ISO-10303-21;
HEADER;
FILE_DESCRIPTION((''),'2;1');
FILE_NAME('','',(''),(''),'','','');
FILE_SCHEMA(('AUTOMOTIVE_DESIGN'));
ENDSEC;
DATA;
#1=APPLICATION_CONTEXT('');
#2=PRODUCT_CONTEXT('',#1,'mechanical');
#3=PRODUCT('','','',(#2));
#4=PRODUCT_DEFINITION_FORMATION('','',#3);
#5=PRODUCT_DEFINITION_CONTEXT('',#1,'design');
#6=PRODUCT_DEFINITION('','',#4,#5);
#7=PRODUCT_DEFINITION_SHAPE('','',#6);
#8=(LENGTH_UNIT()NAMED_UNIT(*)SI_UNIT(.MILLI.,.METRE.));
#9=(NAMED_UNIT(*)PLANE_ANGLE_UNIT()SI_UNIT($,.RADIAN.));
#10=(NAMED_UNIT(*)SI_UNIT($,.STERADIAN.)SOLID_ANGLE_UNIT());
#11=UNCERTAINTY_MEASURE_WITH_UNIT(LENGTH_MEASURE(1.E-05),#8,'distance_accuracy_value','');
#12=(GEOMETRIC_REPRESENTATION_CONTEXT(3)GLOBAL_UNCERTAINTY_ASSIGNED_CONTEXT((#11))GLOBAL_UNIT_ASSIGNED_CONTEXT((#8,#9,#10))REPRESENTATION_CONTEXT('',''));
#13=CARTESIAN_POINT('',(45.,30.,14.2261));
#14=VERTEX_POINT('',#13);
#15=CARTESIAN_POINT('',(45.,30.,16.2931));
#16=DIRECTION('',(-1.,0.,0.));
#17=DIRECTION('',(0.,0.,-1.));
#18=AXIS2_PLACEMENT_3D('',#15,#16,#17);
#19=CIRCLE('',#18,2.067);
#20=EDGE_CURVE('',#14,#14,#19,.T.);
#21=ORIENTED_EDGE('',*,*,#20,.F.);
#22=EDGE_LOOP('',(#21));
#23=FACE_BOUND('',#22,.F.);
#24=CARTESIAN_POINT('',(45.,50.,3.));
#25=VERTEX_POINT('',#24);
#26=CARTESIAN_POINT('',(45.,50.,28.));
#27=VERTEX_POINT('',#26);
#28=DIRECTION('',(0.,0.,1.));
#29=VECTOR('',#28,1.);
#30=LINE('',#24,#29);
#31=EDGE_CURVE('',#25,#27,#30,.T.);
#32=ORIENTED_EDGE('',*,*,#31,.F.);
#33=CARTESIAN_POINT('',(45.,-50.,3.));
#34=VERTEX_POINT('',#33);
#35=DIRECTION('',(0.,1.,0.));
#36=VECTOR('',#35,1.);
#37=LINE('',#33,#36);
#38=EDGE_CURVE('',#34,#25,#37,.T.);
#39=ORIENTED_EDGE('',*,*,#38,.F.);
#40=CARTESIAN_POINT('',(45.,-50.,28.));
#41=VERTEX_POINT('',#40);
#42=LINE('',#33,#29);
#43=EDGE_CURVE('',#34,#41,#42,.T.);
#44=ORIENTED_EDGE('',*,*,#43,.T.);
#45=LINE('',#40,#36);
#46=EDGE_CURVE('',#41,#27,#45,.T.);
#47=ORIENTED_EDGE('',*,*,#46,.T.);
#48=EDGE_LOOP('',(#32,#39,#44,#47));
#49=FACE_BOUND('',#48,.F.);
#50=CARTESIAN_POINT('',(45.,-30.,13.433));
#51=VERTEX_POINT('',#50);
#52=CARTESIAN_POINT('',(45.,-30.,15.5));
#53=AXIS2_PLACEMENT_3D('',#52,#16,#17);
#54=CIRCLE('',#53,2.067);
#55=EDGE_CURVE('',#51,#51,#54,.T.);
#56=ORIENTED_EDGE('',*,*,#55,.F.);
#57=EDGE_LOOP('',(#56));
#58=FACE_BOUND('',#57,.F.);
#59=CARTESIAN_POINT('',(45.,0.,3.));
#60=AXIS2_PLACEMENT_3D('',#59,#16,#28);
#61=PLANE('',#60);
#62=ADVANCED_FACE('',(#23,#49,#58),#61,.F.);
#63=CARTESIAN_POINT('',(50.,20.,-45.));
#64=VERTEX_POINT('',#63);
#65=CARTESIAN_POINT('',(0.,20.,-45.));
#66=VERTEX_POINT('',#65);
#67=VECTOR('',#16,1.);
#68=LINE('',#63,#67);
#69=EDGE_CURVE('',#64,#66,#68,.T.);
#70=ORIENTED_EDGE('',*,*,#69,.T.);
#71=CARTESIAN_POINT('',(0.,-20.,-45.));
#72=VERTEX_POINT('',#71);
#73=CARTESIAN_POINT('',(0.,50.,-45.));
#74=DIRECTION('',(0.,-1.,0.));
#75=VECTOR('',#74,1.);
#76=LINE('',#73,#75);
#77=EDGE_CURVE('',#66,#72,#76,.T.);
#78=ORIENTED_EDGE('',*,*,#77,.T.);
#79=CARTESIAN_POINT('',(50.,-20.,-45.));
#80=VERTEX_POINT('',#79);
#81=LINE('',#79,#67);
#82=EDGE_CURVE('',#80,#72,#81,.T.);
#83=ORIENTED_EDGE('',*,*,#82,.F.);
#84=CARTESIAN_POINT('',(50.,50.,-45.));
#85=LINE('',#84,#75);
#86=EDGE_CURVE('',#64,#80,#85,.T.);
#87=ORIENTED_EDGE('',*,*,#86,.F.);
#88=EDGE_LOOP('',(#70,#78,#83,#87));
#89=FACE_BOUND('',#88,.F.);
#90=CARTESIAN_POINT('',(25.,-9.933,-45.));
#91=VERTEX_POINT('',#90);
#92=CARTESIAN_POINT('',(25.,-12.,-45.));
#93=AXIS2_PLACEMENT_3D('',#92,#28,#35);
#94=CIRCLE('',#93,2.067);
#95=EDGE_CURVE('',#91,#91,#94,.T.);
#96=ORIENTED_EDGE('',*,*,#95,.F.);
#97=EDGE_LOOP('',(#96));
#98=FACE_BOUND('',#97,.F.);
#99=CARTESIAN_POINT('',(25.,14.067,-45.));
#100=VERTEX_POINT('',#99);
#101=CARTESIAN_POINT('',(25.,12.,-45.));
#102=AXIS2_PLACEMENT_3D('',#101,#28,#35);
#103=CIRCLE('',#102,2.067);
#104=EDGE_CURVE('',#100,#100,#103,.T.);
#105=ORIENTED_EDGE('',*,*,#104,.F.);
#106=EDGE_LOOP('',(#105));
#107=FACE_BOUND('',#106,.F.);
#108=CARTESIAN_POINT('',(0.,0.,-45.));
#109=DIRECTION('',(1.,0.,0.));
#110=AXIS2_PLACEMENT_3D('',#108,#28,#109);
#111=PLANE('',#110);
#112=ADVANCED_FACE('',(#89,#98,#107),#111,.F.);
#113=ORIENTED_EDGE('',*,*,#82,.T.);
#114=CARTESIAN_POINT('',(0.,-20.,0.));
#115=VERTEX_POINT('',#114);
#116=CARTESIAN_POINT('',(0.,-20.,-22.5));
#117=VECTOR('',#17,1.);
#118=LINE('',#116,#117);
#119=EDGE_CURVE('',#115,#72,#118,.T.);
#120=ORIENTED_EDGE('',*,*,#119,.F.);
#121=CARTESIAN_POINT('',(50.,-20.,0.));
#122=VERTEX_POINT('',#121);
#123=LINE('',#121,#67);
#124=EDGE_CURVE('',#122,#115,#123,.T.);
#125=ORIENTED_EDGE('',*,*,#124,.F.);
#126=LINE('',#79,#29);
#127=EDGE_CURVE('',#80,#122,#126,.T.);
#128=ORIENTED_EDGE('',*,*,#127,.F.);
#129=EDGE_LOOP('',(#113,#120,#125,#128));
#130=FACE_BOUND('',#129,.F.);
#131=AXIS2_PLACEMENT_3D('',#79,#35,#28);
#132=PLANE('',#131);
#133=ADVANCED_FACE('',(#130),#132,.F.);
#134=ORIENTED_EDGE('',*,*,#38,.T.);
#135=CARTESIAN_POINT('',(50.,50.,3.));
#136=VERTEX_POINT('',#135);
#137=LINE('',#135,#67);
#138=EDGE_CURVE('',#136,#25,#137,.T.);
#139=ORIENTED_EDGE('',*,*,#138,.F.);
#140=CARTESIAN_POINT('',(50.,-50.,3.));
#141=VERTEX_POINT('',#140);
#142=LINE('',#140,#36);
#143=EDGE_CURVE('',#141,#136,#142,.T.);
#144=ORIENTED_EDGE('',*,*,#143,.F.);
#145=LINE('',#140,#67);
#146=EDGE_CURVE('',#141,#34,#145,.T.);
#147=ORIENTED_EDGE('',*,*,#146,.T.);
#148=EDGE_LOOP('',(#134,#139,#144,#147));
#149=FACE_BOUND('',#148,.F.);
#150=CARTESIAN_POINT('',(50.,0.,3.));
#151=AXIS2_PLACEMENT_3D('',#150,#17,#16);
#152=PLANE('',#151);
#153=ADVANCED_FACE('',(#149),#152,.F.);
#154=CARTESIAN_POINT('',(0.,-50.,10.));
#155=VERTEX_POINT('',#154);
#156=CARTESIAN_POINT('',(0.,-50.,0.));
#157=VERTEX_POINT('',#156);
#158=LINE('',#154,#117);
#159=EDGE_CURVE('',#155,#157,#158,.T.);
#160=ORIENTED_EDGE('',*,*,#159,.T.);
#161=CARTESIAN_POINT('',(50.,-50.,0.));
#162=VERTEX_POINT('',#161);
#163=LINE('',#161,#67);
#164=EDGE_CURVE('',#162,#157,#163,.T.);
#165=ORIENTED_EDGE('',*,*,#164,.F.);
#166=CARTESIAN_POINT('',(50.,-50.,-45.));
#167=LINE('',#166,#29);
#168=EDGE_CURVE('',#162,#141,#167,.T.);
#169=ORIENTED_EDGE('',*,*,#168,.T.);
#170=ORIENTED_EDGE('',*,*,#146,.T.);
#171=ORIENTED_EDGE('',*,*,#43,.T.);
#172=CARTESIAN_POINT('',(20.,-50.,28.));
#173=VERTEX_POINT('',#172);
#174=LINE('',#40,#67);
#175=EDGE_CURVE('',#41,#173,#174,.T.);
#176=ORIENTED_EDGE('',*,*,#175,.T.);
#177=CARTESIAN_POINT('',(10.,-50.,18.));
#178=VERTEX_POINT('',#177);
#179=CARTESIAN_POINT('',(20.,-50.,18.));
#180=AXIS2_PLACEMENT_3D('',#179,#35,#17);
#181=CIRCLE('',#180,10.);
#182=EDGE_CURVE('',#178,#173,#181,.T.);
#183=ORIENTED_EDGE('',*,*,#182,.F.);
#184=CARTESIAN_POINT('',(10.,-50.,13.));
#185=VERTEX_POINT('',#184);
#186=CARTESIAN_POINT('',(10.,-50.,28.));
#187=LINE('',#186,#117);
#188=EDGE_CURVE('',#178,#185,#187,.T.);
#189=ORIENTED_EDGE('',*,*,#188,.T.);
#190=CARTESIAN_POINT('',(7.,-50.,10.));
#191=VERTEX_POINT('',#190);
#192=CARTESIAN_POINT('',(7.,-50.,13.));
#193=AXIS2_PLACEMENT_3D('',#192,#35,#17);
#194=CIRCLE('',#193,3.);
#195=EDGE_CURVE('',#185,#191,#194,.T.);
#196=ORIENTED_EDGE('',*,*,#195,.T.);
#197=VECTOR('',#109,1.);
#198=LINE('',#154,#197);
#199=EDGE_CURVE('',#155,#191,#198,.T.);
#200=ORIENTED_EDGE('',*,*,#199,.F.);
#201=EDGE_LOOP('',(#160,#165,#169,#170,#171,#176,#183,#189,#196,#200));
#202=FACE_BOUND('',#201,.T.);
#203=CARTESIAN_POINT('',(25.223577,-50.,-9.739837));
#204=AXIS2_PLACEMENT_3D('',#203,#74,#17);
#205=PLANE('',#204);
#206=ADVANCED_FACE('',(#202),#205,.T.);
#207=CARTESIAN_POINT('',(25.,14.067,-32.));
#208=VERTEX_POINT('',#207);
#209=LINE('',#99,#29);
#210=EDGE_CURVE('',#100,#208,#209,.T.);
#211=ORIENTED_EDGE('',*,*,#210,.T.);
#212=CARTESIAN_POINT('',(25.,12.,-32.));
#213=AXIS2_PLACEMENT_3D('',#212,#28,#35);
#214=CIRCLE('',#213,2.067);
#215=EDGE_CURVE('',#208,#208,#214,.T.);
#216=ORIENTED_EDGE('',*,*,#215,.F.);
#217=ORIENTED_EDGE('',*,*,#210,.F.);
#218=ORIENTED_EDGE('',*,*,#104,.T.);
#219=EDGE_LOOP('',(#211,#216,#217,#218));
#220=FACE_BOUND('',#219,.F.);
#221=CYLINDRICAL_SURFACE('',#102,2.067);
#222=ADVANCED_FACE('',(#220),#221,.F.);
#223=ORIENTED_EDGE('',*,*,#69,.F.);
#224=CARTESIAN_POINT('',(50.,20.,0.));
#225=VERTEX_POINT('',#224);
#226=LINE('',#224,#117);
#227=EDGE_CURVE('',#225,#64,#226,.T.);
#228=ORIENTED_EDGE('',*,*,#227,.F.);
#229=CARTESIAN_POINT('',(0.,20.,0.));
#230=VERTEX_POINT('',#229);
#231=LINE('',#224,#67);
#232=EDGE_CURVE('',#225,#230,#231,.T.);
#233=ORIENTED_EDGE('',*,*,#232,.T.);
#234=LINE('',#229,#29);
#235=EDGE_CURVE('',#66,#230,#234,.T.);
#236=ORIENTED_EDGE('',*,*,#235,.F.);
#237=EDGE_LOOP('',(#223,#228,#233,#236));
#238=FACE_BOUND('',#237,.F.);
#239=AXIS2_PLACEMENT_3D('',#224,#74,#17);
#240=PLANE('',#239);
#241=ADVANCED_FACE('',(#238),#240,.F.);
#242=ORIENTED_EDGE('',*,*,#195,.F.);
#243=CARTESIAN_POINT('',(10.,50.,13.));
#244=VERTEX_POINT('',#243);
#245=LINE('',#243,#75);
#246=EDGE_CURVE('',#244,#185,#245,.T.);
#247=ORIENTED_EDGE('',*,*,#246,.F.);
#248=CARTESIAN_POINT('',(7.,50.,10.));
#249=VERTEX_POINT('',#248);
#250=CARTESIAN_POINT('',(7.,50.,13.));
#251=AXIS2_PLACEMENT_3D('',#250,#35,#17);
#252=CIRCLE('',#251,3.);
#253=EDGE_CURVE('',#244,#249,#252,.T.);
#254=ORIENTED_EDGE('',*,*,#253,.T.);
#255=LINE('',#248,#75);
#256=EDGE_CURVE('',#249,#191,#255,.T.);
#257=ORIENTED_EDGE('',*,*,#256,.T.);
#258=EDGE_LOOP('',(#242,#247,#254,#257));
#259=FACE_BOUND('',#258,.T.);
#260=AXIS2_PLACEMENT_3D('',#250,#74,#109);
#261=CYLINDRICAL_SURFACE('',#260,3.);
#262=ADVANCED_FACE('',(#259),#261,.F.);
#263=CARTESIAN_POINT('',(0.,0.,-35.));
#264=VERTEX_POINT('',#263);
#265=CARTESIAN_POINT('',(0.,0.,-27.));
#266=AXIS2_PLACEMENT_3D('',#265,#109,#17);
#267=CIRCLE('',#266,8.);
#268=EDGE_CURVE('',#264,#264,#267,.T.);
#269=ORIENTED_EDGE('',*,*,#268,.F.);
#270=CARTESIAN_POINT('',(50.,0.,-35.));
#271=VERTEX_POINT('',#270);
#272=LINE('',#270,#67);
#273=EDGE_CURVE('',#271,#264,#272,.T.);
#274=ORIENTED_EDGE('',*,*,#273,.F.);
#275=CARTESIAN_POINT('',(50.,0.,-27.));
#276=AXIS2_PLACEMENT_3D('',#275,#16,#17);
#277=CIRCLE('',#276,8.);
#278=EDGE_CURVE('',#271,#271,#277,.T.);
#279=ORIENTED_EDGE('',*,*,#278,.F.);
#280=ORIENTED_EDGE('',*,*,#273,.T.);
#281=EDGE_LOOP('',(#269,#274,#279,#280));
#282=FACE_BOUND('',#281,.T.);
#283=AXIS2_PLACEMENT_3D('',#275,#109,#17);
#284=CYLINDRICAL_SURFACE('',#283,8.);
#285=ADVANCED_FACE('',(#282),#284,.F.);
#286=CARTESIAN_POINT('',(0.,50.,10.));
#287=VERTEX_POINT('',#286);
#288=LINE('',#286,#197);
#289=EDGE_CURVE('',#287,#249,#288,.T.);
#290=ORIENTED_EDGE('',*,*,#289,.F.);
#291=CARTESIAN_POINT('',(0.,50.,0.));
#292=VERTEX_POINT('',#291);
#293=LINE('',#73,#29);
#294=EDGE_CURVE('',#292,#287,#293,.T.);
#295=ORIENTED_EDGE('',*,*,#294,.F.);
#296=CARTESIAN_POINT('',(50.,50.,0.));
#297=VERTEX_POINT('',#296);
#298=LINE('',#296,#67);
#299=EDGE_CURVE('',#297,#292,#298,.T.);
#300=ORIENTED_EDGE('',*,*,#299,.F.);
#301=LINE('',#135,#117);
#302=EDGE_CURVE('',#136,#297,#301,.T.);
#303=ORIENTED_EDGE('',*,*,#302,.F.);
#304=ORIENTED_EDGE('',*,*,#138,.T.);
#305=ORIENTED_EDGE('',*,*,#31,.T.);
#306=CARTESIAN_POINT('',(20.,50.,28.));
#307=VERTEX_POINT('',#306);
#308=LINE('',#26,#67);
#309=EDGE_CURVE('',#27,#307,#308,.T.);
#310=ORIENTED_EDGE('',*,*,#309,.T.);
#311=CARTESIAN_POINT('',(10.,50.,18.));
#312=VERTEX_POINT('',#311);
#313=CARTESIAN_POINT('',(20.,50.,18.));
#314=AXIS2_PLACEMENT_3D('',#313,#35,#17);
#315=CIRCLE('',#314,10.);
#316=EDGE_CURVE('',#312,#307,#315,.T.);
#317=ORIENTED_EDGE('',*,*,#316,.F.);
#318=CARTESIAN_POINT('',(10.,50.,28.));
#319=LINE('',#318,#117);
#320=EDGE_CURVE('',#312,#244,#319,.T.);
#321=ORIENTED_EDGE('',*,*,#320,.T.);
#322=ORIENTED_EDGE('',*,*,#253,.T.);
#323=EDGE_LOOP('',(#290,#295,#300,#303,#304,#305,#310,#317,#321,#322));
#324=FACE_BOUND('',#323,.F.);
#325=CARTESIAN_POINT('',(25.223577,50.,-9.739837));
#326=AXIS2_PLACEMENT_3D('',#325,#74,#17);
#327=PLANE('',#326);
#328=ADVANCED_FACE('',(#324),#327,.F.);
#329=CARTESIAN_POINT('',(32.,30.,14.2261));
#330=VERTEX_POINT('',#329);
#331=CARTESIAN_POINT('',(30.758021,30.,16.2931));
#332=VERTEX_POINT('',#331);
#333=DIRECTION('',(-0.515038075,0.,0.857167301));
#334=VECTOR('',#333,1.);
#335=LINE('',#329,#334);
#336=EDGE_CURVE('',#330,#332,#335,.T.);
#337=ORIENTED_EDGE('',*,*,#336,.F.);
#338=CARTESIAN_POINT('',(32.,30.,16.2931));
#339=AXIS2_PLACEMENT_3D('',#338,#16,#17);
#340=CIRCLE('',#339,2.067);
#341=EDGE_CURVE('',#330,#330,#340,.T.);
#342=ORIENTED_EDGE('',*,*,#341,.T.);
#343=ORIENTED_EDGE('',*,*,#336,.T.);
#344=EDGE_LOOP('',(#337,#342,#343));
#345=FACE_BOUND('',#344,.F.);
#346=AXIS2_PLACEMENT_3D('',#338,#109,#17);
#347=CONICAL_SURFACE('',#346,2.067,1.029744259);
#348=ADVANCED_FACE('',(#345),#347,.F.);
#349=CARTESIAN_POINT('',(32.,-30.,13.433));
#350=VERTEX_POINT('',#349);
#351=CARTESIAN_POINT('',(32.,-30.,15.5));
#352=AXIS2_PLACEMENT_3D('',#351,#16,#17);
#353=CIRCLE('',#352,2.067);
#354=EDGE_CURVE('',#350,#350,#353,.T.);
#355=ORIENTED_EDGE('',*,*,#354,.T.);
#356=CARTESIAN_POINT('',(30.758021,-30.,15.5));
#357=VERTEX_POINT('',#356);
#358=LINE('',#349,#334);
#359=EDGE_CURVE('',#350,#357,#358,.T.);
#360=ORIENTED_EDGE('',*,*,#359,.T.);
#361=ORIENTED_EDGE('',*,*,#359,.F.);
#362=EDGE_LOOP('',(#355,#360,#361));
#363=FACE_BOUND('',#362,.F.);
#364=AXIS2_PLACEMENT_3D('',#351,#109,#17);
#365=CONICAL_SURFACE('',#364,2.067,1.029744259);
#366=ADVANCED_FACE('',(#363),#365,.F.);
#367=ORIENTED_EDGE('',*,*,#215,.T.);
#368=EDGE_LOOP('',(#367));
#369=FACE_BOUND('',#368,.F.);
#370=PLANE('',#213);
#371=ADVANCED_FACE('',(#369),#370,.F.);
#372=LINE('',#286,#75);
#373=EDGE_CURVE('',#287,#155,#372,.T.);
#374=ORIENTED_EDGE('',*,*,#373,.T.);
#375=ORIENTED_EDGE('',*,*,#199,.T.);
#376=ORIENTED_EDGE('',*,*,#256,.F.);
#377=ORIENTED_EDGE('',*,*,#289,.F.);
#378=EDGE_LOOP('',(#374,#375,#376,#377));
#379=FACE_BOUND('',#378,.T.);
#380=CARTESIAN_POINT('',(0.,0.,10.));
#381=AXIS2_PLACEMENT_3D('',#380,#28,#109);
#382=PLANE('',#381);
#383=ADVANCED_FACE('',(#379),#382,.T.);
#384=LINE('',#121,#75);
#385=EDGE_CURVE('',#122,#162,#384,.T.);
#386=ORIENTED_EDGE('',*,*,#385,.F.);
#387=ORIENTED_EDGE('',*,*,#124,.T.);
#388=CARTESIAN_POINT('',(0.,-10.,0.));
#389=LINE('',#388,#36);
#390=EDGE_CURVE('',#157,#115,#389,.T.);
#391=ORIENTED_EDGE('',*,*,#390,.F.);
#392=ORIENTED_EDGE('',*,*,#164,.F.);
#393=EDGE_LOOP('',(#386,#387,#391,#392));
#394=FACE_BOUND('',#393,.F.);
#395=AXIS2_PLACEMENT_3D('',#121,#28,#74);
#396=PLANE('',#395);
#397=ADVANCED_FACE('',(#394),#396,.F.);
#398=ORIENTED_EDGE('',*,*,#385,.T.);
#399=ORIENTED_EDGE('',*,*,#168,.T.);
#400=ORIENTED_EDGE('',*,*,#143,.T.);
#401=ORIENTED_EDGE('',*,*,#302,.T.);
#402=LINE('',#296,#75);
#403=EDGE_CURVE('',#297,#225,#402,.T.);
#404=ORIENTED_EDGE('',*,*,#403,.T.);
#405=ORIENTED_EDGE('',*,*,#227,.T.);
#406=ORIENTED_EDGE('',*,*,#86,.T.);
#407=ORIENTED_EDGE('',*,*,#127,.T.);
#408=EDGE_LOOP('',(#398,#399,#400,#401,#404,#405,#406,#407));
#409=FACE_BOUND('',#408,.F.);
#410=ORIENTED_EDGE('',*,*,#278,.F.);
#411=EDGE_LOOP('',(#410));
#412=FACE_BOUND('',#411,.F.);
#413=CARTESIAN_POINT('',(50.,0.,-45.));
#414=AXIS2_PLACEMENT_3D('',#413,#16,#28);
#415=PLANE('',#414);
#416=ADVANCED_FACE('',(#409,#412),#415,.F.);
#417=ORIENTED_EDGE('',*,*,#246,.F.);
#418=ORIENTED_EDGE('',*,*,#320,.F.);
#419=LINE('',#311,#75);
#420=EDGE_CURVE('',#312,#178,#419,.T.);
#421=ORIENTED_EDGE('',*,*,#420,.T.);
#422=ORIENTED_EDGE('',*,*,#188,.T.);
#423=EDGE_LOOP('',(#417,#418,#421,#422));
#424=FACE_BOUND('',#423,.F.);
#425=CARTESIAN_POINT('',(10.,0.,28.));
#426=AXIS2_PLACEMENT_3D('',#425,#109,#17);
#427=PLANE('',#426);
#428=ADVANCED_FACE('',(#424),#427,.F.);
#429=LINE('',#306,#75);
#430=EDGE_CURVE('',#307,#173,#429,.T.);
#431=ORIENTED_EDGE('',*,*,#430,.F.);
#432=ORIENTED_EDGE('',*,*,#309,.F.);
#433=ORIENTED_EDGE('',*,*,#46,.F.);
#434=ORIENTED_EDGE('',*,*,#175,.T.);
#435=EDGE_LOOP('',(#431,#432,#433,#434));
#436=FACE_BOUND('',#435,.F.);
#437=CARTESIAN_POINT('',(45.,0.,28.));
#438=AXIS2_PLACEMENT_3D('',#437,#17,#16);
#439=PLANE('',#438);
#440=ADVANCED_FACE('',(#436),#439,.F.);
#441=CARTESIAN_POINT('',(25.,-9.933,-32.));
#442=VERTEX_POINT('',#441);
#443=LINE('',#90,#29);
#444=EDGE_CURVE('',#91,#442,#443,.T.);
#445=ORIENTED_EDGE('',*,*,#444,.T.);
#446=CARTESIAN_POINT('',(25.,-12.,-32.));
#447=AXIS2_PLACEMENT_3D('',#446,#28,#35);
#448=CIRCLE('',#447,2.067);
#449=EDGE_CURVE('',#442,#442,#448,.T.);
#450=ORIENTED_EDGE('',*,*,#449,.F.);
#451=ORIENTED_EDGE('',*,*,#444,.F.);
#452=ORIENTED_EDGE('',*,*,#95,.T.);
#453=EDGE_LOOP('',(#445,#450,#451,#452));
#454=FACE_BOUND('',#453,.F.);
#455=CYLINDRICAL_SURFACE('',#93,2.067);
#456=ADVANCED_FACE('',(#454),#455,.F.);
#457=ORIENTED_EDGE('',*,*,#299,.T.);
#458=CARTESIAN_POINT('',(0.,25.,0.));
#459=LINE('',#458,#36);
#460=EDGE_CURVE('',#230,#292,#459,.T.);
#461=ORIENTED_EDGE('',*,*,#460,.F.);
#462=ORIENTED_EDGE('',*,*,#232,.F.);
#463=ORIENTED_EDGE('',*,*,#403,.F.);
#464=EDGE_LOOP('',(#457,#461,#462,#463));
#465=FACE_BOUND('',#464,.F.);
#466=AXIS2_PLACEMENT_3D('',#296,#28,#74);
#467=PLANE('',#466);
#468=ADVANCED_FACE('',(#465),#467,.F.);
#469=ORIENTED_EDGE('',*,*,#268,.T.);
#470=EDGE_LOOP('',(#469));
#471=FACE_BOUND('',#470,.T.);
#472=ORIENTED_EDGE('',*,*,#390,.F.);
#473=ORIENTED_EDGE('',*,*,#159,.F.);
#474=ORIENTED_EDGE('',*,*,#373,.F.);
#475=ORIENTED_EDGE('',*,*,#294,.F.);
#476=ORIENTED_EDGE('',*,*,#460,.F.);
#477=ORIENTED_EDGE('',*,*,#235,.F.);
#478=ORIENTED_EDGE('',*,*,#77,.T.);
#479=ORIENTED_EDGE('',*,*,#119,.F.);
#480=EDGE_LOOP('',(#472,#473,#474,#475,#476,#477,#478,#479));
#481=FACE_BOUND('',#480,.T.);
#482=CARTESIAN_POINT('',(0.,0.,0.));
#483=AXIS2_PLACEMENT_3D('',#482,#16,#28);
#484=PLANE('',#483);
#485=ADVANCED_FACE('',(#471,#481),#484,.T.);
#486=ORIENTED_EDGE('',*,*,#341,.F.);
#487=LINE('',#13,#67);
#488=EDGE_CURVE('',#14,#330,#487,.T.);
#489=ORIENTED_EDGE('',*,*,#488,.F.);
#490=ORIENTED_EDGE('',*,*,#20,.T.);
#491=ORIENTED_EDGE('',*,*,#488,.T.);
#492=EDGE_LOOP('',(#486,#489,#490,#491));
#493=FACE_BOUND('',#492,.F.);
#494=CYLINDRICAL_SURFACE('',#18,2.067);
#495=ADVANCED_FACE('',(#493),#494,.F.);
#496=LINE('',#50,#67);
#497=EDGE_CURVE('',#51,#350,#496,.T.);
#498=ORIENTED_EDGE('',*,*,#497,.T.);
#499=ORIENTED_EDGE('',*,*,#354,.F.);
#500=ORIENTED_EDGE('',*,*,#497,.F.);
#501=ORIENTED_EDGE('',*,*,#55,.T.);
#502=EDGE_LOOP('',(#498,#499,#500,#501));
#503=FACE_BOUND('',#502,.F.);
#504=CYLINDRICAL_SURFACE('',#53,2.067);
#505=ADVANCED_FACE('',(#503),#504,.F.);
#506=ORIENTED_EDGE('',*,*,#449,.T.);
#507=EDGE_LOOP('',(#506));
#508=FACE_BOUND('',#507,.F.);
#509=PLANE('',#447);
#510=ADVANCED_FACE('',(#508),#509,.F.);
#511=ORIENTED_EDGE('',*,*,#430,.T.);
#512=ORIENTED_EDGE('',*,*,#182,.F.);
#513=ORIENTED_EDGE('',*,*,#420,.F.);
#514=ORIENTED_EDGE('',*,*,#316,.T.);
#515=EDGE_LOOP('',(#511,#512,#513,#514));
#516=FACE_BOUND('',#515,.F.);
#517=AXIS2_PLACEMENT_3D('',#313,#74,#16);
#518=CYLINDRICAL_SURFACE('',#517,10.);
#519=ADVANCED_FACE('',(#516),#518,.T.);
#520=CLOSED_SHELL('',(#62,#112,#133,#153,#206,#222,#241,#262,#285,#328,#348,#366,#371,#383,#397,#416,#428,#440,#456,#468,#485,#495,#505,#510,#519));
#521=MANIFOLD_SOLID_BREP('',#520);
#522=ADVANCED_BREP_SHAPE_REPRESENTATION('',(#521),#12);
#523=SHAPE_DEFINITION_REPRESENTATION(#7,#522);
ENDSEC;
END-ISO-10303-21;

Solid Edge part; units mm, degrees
sketch "Sketch1" plane through (0, 0, 0) normal (0, -1, 0) x (1, 0, 0)
  line L0 (45, 28) -> (10, 28)
  line L1 (10, 28) -> (10, 10)
  line L2 (0, 10) -> (10, 10)
  line L3 (0, 0) -> (0, 10)
  line L4 (0, 0) -> (0, -45)
  line L5 (0, -45) -> (50, -45)
  line L6 (50, -45) -> (50, 0)
  line L7 (50, 0) -> (50, 3)
  line L8 (50, 3) -> (45, 3)
  line L9 (45, 3) -> (45, 28)
extrude "Protrusion1" add sketch "Sketch1" along normal mid plane 100
hole "Hole_1" at (50, 0, -27) direction (-1, 0, 0) diameter 16 end through all
sketch "Sketch2" plane through (50, 0, -21) normal (1, 0, 0) x (0, 1, 0)
  line L0 (-20, -24) -> (-20, 21)
  line L1 (-20, 21) -> (-50, 21)
  line L2 (-50, 21) -> (-50, -24)
  line L3 (-50, -24) -> (-20, -24)
  line L4 (20, 21) -> (20, -24)
  line L5 (20, -24) -> (50, -24)
  line L6 (50, -24) -> (50, 21)
  line L7 (50, 21) -> (20, 21)
extrude "Cutout1" cut sketch "Sketch2" against normal through all
fillet "Round_1" radius 3 1 edges at (10, 0, 10)
fillet "Round_2" radius 10 1 edges at (10, 0, 28)
hole "Hole_2" at (45, -30, 15.5) direction (-1, 0, 0) diameter 4.134 depth 13 tip angle 118 thread major 5 thread length 10
hole "Hole1" at (45, 30, 16.2931) direction (-1, 0, 0) diameter 4.134 depth 13 tip angle 118 thread major 5 thread length 10
hole "Hole_4" at (25, 12, -45) direction (0, 0, 1) diameter 4.134 depth 13 thread major 5 thread length 10
hole "Hole2" at (25, -12, -45) direction (0, 0, 1) diameter 4.134 depth 13 thread major 5 thread length 10
